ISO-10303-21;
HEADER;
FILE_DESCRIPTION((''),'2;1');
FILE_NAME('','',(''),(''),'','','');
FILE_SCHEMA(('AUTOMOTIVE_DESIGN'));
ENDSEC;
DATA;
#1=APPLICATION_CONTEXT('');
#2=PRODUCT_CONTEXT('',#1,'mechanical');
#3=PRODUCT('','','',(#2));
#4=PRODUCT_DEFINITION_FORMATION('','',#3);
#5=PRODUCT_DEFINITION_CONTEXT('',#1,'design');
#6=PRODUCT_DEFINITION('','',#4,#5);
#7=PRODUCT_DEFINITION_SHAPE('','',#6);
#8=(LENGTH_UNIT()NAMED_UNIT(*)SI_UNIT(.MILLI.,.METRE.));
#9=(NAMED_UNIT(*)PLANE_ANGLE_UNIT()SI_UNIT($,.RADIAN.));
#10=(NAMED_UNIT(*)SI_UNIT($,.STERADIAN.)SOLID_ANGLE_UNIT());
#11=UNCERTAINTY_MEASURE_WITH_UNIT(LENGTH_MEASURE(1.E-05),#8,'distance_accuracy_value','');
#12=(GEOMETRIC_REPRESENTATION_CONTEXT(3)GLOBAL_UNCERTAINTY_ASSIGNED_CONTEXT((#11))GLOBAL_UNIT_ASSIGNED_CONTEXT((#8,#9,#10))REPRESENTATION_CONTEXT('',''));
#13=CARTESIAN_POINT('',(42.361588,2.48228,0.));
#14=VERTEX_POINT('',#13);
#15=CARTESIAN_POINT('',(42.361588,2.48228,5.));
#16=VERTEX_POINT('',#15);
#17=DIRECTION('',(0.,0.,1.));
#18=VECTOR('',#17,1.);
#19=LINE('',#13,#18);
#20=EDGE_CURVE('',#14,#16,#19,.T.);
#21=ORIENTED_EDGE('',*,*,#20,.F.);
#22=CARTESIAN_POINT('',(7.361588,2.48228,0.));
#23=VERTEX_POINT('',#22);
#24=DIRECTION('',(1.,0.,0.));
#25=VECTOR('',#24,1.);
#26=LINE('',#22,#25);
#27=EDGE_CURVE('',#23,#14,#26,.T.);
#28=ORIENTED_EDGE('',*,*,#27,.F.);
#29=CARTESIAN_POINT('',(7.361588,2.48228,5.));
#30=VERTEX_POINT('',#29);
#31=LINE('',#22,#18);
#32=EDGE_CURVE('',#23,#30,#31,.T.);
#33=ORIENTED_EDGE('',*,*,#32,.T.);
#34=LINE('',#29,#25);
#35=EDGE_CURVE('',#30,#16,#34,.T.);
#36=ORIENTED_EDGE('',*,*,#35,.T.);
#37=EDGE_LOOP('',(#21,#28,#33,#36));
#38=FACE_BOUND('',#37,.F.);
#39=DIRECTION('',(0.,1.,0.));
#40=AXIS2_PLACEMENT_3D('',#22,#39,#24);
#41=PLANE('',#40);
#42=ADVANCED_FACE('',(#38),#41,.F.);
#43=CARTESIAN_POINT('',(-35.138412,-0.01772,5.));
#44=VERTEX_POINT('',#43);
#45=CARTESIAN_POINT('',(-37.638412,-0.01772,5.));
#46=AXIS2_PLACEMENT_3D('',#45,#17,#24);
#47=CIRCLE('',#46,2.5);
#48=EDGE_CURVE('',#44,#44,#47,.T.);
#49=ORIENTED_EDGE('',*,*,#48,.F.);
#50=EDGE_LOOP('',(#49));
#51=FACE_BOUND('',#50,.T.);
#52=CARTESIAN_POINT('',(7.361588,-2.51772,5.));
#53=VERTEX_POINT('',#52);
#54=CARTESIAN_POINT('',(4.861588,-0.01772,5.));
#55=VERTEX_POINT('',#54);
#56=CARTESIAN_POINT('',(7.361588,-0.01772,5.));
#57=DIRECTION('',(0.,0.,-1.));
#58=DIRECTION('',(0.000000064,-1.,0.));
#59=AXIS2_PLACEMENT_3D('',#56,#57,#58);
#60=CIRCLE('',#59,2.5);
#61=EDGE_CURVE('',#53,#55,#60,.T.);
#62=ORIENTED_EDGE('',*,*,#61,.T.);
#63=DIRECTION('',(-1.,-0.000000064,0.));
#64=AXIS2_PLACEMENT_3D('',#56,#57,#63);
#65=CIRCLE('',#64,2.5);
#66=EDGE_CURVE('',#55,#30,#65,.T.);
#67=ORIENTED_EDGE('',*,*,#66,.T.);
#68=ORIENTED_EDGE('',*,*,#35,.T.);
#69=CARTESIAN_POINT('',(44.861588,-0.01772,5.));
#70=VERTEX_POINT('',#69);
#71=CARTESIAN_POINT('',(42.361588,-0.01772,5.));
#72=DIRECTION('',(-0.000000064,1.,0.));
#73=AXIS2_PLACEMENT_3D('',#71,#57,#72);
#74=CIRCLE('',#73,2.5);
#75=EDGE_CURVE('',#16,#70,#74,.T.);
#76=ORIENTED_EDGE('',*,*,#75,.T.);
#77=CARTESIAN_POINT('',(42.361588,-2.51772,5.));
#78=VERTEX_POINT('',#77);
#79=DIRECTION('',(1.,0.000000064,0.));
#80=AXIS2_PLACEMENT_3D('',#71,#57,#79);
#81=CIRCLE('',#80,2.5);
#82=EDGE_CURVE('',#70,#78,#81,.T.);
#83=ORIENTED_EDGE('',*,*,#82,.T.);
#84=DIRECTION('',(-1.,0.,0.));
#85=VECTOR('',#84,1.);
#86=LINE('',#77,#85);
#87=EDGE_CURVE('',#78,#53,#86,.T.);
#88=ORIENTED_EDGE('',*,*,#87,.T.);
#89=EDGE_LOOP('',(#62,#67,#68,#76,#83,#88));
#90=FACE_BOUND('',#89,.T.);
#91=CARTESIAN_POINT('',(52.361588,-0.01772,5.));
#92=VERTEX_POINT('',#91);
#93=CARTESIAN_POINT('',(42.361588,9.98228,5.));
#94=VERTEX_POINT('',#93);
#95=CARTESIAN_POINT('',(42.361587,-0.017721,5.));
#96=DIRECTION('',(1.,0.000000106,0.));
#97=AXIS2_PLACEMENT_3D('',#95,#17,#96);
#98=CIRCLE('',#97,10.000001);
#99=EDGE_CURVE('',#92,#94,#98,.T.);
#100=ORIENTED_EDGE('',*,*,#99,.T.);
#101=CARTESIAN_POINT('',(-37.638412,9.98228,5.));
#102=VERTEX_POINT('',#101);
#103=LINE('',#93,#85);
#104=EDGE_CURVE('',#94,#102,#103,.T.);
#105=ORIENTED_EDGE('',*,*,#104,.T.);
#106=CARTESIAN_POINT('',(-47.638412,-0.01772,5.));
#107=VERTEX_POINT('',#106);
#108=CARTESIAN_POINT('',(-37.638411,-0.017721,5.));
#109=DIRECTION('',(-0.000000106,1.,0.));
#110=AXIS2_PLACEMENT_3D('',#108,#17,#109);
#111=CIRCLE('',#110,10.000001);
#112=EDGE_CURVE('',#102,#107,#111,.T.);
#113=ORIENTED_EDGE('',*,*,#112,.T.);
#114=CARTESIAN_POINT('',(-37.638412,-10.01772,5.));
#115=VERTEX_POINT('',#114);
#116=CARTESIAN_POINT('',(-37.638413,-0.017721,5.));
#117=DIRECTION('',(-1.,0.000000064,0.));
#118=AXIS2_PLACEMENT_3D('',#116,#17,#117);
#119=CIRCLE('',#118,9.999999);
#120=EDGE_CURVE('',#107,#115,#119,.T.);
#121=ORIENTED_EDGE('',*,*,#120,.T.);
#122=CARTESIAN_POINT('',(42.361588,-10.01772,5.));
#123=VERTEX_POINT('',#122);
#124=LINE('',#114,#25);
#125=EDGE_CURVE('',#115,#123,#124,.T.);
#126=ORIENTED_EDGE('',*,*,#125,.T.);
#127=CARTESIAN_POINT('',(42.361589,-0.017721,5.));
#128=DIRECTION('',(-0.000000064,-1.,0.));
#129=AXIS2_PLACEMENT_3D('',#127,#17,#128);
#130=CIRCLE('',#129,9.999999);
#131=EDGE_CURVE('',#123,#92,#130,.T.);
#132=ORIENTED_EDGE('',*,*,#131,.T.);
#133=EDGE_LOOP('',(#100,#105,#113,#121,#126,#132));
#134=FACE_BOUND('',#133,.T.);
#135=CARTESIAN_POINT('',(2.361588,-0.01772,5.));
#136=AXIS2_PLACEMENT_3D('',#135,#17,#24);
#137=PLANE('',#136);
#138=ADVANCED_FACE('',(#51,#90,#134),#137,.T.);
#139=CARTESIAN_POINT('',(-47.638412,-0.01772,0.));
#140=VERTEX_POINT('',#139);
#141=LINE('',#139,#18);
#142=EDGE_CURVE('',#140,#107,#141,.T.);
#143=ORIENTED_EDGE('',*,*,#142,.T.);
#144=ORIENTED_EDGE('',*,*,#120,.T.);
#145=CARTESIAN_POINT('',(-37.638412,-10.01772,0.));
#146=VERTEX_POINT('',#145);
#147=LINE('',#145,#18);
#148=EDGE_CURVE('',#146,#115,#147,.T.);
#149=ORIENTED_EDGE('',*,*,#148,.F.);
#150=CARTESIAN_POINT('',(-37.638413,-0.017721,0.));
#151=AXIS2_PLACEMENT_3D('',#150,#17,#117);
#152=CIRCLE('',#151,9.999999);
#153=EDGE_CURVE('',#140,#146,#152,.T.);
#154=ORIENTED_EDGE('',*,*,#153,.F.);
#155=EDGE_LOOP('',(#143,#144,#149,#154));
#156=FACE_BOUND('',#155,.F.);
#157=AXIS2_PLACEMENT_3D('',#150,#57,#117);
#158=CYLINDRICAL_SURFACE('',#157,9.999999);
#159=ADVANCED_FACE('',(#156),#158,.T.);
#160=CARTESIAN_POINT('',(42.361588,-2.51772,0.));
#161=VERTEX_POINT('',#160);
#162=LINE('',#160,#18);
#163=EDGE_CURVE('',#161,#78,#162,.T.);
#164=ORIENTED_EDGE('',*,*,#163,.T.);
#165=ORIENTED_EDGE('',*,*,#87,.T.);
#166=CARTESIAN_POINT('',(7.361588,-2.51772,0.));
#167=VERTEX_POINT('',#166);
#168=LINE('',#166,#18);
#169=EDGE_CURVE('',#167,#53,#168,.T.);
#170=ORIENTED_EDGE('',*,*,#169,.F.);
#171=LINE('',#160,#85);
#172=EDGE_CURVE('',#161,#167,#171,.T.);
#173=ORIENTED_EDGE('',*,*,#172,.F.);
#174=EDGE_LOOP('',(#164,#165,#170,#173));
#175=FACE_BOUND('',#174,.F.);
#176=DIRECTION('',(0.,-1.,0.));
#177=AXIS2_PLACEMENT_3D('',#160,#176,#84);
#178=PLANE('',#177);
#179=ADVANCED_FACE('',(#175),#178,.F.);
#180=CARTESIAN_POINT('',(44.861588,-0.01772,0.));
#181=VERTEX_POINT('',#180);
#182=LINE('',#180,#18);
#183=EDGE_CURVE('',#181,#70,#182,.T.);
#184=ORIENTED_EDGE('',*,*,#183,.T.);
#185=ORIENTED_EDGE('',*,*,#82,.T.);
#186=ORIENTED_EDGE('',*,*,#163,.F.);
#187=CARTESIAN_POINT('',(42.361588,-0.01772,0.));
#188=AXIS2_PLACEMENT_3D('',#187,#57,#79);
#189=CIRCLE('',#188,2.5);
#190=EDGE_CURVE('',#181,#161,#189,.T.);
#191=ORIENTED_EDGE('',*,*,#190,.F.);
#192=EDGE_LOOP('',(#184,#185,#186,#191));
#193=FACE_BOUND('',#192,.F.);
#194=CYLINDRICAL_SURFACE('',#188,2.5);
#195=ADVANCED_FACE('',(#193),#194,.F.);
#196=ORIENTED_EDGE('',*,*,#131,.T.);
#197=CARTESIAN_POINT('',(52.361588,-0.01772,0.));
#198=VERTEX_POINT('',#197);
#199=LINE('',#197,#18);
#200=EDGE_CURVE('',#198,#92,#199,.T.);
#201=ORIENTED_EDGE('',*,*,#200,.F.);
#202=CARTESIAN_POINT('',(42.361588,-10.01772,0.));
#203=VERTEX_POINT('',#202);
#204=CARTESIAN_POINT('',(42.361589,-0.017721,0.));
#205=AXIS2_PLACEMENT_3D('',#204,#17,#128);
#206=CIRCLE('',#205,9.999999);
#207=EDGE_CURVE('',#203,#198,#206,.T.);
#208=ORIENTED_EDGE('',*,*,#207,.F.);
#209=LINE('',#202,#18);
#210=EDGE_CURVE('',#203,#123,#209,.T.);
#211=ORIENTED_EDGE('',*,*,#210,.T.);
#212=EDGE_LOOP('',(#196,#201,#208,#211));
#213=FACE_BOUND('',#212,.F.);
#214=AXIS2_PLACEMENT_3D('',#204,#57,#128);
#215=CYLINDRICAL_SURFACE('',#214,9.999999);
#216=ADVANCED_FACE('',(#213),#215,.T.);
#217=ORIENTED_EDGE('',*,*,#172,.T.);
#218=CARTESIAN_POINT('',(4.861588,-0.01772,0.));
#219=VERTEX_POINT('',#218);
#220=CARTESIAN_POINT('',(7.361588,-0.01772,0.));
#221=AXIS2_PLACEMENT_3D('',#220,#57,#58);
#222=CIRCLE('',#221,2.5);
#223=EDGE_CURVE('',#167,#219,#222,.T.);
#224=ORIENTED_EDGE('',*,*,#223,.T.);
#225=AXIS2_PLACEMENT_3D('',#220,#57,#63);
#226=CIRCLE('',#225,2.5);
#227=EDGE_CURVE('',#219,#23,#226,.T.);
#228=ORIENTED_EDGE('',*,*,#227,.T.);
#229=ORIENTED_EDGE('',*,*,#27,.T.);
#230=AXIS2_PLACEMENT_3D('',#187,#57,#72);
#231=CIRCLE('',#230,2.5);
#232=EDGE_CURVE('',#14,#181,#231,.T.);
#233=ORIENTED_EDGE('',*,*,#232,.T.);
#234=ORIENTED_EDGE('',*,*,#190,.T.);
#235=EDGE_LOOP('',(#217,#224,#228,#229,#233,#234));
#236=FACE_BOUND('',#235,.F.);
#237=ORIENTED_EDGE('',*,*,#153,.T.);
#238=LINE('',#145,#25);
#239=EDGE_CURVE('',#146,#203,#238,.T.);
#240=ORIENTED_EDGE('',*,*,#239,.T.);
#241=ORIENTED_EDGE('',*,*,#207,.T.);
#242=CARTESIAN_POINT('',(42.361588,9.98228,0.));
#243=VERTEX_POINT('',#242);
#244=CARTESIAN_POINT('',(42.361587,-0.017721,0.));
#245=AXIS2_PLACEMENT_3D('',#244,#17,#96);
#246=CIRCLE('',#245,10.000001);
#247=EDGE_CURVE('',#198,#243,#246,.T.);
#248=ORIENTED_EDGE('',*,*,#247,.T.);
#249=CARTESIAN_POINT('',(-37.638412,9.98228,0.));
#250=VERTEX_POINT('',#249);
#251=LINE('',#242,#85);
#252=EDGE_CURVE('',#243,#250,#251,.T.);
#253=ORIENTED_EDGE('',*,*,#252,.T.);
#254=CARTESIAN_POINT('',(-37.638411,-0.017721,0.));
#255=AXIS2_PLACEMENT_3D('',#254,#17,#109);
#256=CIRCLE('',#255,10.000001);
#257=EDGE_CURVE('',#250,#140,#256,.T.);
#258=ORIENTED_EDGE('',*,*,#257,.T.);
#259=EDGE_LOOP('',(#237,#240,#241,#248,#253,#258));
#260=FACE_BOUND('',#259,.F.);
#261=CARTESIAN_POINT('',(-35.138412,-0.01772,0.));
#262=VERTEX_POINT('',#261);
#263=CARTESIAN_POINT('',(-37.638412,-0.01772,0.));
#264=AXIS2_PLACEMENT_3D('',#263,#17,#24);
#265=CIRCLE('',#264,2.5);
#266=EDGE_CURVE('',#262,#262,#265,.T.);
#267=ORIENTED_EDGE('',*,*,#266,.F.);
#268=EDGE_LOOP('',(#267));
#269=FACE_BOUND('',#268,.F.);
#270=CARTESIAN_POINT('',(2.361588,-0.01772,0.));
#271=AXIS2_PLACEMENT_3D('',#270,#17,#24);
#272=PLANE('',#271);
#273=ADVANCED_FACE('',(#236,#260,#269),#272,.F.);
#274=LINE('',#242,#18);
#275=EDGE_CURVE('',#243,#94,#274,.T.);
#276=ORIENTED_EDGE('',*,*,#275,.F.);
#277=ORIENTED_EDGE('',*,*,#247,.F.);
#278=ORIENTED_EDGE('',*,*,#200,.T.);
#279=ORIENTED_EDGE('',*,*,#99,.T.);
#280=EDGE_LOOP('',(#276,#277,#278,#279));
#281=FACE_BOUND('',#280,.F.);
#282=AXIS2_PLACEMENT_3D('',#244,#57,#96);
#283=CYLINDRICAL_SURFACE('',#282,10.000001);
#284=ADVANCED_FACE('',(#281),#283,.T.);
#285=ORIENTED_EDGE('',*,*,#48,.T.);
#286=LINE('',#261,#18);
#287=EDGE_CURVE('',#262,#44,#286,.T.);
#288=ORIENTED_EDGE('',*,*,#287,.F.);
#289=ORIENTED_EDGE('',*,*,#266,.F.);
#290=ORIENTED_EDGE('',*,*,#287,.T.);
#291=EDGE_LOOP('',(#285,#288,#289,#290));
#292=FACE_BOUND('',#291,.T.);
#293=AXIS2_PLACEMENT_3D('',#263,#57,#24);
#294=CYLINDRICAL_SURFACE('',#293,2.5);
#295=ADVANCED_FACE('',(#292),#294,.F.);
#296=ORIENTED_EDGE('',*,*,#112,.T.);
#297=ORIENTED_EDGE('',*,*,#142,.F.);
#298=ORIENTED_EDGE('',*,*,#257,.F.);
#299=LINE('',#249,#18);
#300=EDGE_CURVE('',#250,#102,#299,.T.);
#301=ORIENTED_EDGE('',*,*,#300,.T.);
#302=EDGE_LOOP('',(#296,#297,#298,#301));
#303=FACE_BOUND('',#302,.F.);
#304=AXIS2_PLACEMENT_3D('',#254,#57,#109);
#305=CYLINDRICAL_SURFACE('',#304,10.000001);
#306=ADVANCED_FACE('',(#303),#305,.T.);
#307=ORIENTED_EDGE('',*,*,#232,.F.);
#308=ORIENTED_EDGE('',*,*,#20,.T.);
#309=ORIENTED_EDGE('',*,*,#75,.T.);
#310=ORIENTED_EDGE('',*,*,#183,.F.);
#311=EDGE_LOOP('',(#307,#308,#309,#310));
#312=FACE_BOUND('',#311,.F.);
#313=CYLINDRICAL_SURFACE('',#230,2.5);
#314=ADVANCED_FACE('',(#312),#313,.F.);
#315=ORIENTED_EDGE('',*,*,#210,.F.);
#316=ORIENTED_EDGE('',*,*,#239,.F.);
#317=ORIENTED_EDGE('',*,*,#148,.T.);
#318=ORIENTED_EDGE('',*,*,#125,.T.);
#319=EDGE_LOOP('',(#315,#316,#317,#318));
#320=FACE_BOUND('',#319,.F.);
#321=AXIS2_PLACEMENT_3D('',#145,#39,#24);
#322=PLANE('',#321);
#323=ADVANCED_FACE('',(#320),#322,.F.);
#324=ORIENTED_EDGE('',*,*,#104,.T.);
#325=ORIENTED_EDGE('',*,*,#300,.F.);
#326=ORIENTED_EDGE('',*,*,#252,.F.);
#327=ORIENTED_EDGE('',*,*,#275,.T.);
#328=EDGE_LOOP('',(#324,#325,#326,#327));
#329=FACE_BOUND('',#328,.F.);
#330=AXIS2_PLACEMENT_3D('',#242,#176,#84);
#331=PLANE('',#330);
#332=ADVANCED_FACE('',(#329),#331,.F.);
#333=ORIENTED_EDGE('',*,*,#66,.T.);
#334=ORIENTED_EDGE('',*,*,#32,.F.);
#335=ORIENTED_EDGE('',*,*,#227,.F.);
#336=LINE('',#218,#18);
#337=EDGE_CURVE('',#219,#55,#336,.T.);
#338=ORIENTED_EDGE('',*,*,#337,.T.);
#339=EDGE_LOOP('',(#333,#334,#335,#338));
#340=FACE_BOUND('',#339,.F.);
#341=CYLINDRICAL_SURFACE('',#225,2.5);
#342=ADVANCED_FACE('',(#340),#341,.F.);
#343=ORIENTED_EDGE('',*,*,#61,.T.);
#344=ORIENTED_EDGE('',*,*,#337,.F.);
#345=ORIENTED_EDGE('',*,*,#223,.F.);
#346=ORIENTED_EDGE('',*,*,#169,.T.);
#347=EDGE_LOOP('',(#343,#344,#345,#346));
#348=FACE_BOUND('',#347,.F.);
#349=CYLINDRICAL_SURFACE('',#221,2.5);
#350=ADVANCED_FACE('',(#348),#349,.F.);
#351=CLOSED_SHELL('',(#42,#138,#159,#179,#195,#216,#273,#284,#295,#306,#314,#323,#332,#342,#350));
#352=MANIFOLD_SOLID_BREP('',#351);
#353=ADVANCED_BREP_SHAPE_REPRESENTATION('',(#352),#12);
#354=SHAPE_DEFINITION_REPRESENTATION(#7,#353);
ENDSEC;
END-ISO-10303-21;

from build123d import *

# Parameters (mm, degrees)
F0_R     = 2.5
F1_DEPTH = 5


with BuildPart() as f1:
    # F0 (on Top) → F1 (new body)
    with BuildSketch(Plane.XY):
        with BuildLine():
            Line((42.361588, 9.98228), (-37.638412, 9.98228))
            ThreePointArc((-37.638412, 9.98228), (-44.70948, 7.053347), (-47.638412, -0.01772))
            ThreePointArc((-47.638412, -0.01772), (-44.70948, -7.088788), (-37.638412, -10.01772))
            Line((-37.638412, -10.01772), (42.361588, -10.01772))
            ThreePointArc((42.361588, -10.01772), (49.432656, -7.088788), (52.361588, -0.01772))
            ThreePointArc((52.361588, -0.01772), (49.432656, 7.053347), (42.361588, 9.98228))
        make_face()
        with Locations((-37.638412, -0.01772)):
            Circle(F0_R, mode=Mode.SUBTRACT)
        with BuildLine():
            ThreePointArc((4.861588, -0.01772), (5.593821, 1.750047), (7.361588, 2.48228))
            Line((7.361588, 2.48228), (42.361588, 2.48228))
            ThreePointArc((42.361588, 2.48228), (44.129355, 1.750047), (44.861588, -0.01772))
            ThreePointArc((44.861588, -0.01772), (44.129355, -1.785487), (42.361588, -2.51772))
            Line((42.361588, -2.51772), (7.361588, -2.51772))
            ThreePointArc((7.361588, -2.51772), (5.593821, -1.785487), (4.861588, -0.01772))
        make_face(mode=Mode.SUBTRACT)
    extrude(amount=F1_DEPTH)


solid = f1.part
